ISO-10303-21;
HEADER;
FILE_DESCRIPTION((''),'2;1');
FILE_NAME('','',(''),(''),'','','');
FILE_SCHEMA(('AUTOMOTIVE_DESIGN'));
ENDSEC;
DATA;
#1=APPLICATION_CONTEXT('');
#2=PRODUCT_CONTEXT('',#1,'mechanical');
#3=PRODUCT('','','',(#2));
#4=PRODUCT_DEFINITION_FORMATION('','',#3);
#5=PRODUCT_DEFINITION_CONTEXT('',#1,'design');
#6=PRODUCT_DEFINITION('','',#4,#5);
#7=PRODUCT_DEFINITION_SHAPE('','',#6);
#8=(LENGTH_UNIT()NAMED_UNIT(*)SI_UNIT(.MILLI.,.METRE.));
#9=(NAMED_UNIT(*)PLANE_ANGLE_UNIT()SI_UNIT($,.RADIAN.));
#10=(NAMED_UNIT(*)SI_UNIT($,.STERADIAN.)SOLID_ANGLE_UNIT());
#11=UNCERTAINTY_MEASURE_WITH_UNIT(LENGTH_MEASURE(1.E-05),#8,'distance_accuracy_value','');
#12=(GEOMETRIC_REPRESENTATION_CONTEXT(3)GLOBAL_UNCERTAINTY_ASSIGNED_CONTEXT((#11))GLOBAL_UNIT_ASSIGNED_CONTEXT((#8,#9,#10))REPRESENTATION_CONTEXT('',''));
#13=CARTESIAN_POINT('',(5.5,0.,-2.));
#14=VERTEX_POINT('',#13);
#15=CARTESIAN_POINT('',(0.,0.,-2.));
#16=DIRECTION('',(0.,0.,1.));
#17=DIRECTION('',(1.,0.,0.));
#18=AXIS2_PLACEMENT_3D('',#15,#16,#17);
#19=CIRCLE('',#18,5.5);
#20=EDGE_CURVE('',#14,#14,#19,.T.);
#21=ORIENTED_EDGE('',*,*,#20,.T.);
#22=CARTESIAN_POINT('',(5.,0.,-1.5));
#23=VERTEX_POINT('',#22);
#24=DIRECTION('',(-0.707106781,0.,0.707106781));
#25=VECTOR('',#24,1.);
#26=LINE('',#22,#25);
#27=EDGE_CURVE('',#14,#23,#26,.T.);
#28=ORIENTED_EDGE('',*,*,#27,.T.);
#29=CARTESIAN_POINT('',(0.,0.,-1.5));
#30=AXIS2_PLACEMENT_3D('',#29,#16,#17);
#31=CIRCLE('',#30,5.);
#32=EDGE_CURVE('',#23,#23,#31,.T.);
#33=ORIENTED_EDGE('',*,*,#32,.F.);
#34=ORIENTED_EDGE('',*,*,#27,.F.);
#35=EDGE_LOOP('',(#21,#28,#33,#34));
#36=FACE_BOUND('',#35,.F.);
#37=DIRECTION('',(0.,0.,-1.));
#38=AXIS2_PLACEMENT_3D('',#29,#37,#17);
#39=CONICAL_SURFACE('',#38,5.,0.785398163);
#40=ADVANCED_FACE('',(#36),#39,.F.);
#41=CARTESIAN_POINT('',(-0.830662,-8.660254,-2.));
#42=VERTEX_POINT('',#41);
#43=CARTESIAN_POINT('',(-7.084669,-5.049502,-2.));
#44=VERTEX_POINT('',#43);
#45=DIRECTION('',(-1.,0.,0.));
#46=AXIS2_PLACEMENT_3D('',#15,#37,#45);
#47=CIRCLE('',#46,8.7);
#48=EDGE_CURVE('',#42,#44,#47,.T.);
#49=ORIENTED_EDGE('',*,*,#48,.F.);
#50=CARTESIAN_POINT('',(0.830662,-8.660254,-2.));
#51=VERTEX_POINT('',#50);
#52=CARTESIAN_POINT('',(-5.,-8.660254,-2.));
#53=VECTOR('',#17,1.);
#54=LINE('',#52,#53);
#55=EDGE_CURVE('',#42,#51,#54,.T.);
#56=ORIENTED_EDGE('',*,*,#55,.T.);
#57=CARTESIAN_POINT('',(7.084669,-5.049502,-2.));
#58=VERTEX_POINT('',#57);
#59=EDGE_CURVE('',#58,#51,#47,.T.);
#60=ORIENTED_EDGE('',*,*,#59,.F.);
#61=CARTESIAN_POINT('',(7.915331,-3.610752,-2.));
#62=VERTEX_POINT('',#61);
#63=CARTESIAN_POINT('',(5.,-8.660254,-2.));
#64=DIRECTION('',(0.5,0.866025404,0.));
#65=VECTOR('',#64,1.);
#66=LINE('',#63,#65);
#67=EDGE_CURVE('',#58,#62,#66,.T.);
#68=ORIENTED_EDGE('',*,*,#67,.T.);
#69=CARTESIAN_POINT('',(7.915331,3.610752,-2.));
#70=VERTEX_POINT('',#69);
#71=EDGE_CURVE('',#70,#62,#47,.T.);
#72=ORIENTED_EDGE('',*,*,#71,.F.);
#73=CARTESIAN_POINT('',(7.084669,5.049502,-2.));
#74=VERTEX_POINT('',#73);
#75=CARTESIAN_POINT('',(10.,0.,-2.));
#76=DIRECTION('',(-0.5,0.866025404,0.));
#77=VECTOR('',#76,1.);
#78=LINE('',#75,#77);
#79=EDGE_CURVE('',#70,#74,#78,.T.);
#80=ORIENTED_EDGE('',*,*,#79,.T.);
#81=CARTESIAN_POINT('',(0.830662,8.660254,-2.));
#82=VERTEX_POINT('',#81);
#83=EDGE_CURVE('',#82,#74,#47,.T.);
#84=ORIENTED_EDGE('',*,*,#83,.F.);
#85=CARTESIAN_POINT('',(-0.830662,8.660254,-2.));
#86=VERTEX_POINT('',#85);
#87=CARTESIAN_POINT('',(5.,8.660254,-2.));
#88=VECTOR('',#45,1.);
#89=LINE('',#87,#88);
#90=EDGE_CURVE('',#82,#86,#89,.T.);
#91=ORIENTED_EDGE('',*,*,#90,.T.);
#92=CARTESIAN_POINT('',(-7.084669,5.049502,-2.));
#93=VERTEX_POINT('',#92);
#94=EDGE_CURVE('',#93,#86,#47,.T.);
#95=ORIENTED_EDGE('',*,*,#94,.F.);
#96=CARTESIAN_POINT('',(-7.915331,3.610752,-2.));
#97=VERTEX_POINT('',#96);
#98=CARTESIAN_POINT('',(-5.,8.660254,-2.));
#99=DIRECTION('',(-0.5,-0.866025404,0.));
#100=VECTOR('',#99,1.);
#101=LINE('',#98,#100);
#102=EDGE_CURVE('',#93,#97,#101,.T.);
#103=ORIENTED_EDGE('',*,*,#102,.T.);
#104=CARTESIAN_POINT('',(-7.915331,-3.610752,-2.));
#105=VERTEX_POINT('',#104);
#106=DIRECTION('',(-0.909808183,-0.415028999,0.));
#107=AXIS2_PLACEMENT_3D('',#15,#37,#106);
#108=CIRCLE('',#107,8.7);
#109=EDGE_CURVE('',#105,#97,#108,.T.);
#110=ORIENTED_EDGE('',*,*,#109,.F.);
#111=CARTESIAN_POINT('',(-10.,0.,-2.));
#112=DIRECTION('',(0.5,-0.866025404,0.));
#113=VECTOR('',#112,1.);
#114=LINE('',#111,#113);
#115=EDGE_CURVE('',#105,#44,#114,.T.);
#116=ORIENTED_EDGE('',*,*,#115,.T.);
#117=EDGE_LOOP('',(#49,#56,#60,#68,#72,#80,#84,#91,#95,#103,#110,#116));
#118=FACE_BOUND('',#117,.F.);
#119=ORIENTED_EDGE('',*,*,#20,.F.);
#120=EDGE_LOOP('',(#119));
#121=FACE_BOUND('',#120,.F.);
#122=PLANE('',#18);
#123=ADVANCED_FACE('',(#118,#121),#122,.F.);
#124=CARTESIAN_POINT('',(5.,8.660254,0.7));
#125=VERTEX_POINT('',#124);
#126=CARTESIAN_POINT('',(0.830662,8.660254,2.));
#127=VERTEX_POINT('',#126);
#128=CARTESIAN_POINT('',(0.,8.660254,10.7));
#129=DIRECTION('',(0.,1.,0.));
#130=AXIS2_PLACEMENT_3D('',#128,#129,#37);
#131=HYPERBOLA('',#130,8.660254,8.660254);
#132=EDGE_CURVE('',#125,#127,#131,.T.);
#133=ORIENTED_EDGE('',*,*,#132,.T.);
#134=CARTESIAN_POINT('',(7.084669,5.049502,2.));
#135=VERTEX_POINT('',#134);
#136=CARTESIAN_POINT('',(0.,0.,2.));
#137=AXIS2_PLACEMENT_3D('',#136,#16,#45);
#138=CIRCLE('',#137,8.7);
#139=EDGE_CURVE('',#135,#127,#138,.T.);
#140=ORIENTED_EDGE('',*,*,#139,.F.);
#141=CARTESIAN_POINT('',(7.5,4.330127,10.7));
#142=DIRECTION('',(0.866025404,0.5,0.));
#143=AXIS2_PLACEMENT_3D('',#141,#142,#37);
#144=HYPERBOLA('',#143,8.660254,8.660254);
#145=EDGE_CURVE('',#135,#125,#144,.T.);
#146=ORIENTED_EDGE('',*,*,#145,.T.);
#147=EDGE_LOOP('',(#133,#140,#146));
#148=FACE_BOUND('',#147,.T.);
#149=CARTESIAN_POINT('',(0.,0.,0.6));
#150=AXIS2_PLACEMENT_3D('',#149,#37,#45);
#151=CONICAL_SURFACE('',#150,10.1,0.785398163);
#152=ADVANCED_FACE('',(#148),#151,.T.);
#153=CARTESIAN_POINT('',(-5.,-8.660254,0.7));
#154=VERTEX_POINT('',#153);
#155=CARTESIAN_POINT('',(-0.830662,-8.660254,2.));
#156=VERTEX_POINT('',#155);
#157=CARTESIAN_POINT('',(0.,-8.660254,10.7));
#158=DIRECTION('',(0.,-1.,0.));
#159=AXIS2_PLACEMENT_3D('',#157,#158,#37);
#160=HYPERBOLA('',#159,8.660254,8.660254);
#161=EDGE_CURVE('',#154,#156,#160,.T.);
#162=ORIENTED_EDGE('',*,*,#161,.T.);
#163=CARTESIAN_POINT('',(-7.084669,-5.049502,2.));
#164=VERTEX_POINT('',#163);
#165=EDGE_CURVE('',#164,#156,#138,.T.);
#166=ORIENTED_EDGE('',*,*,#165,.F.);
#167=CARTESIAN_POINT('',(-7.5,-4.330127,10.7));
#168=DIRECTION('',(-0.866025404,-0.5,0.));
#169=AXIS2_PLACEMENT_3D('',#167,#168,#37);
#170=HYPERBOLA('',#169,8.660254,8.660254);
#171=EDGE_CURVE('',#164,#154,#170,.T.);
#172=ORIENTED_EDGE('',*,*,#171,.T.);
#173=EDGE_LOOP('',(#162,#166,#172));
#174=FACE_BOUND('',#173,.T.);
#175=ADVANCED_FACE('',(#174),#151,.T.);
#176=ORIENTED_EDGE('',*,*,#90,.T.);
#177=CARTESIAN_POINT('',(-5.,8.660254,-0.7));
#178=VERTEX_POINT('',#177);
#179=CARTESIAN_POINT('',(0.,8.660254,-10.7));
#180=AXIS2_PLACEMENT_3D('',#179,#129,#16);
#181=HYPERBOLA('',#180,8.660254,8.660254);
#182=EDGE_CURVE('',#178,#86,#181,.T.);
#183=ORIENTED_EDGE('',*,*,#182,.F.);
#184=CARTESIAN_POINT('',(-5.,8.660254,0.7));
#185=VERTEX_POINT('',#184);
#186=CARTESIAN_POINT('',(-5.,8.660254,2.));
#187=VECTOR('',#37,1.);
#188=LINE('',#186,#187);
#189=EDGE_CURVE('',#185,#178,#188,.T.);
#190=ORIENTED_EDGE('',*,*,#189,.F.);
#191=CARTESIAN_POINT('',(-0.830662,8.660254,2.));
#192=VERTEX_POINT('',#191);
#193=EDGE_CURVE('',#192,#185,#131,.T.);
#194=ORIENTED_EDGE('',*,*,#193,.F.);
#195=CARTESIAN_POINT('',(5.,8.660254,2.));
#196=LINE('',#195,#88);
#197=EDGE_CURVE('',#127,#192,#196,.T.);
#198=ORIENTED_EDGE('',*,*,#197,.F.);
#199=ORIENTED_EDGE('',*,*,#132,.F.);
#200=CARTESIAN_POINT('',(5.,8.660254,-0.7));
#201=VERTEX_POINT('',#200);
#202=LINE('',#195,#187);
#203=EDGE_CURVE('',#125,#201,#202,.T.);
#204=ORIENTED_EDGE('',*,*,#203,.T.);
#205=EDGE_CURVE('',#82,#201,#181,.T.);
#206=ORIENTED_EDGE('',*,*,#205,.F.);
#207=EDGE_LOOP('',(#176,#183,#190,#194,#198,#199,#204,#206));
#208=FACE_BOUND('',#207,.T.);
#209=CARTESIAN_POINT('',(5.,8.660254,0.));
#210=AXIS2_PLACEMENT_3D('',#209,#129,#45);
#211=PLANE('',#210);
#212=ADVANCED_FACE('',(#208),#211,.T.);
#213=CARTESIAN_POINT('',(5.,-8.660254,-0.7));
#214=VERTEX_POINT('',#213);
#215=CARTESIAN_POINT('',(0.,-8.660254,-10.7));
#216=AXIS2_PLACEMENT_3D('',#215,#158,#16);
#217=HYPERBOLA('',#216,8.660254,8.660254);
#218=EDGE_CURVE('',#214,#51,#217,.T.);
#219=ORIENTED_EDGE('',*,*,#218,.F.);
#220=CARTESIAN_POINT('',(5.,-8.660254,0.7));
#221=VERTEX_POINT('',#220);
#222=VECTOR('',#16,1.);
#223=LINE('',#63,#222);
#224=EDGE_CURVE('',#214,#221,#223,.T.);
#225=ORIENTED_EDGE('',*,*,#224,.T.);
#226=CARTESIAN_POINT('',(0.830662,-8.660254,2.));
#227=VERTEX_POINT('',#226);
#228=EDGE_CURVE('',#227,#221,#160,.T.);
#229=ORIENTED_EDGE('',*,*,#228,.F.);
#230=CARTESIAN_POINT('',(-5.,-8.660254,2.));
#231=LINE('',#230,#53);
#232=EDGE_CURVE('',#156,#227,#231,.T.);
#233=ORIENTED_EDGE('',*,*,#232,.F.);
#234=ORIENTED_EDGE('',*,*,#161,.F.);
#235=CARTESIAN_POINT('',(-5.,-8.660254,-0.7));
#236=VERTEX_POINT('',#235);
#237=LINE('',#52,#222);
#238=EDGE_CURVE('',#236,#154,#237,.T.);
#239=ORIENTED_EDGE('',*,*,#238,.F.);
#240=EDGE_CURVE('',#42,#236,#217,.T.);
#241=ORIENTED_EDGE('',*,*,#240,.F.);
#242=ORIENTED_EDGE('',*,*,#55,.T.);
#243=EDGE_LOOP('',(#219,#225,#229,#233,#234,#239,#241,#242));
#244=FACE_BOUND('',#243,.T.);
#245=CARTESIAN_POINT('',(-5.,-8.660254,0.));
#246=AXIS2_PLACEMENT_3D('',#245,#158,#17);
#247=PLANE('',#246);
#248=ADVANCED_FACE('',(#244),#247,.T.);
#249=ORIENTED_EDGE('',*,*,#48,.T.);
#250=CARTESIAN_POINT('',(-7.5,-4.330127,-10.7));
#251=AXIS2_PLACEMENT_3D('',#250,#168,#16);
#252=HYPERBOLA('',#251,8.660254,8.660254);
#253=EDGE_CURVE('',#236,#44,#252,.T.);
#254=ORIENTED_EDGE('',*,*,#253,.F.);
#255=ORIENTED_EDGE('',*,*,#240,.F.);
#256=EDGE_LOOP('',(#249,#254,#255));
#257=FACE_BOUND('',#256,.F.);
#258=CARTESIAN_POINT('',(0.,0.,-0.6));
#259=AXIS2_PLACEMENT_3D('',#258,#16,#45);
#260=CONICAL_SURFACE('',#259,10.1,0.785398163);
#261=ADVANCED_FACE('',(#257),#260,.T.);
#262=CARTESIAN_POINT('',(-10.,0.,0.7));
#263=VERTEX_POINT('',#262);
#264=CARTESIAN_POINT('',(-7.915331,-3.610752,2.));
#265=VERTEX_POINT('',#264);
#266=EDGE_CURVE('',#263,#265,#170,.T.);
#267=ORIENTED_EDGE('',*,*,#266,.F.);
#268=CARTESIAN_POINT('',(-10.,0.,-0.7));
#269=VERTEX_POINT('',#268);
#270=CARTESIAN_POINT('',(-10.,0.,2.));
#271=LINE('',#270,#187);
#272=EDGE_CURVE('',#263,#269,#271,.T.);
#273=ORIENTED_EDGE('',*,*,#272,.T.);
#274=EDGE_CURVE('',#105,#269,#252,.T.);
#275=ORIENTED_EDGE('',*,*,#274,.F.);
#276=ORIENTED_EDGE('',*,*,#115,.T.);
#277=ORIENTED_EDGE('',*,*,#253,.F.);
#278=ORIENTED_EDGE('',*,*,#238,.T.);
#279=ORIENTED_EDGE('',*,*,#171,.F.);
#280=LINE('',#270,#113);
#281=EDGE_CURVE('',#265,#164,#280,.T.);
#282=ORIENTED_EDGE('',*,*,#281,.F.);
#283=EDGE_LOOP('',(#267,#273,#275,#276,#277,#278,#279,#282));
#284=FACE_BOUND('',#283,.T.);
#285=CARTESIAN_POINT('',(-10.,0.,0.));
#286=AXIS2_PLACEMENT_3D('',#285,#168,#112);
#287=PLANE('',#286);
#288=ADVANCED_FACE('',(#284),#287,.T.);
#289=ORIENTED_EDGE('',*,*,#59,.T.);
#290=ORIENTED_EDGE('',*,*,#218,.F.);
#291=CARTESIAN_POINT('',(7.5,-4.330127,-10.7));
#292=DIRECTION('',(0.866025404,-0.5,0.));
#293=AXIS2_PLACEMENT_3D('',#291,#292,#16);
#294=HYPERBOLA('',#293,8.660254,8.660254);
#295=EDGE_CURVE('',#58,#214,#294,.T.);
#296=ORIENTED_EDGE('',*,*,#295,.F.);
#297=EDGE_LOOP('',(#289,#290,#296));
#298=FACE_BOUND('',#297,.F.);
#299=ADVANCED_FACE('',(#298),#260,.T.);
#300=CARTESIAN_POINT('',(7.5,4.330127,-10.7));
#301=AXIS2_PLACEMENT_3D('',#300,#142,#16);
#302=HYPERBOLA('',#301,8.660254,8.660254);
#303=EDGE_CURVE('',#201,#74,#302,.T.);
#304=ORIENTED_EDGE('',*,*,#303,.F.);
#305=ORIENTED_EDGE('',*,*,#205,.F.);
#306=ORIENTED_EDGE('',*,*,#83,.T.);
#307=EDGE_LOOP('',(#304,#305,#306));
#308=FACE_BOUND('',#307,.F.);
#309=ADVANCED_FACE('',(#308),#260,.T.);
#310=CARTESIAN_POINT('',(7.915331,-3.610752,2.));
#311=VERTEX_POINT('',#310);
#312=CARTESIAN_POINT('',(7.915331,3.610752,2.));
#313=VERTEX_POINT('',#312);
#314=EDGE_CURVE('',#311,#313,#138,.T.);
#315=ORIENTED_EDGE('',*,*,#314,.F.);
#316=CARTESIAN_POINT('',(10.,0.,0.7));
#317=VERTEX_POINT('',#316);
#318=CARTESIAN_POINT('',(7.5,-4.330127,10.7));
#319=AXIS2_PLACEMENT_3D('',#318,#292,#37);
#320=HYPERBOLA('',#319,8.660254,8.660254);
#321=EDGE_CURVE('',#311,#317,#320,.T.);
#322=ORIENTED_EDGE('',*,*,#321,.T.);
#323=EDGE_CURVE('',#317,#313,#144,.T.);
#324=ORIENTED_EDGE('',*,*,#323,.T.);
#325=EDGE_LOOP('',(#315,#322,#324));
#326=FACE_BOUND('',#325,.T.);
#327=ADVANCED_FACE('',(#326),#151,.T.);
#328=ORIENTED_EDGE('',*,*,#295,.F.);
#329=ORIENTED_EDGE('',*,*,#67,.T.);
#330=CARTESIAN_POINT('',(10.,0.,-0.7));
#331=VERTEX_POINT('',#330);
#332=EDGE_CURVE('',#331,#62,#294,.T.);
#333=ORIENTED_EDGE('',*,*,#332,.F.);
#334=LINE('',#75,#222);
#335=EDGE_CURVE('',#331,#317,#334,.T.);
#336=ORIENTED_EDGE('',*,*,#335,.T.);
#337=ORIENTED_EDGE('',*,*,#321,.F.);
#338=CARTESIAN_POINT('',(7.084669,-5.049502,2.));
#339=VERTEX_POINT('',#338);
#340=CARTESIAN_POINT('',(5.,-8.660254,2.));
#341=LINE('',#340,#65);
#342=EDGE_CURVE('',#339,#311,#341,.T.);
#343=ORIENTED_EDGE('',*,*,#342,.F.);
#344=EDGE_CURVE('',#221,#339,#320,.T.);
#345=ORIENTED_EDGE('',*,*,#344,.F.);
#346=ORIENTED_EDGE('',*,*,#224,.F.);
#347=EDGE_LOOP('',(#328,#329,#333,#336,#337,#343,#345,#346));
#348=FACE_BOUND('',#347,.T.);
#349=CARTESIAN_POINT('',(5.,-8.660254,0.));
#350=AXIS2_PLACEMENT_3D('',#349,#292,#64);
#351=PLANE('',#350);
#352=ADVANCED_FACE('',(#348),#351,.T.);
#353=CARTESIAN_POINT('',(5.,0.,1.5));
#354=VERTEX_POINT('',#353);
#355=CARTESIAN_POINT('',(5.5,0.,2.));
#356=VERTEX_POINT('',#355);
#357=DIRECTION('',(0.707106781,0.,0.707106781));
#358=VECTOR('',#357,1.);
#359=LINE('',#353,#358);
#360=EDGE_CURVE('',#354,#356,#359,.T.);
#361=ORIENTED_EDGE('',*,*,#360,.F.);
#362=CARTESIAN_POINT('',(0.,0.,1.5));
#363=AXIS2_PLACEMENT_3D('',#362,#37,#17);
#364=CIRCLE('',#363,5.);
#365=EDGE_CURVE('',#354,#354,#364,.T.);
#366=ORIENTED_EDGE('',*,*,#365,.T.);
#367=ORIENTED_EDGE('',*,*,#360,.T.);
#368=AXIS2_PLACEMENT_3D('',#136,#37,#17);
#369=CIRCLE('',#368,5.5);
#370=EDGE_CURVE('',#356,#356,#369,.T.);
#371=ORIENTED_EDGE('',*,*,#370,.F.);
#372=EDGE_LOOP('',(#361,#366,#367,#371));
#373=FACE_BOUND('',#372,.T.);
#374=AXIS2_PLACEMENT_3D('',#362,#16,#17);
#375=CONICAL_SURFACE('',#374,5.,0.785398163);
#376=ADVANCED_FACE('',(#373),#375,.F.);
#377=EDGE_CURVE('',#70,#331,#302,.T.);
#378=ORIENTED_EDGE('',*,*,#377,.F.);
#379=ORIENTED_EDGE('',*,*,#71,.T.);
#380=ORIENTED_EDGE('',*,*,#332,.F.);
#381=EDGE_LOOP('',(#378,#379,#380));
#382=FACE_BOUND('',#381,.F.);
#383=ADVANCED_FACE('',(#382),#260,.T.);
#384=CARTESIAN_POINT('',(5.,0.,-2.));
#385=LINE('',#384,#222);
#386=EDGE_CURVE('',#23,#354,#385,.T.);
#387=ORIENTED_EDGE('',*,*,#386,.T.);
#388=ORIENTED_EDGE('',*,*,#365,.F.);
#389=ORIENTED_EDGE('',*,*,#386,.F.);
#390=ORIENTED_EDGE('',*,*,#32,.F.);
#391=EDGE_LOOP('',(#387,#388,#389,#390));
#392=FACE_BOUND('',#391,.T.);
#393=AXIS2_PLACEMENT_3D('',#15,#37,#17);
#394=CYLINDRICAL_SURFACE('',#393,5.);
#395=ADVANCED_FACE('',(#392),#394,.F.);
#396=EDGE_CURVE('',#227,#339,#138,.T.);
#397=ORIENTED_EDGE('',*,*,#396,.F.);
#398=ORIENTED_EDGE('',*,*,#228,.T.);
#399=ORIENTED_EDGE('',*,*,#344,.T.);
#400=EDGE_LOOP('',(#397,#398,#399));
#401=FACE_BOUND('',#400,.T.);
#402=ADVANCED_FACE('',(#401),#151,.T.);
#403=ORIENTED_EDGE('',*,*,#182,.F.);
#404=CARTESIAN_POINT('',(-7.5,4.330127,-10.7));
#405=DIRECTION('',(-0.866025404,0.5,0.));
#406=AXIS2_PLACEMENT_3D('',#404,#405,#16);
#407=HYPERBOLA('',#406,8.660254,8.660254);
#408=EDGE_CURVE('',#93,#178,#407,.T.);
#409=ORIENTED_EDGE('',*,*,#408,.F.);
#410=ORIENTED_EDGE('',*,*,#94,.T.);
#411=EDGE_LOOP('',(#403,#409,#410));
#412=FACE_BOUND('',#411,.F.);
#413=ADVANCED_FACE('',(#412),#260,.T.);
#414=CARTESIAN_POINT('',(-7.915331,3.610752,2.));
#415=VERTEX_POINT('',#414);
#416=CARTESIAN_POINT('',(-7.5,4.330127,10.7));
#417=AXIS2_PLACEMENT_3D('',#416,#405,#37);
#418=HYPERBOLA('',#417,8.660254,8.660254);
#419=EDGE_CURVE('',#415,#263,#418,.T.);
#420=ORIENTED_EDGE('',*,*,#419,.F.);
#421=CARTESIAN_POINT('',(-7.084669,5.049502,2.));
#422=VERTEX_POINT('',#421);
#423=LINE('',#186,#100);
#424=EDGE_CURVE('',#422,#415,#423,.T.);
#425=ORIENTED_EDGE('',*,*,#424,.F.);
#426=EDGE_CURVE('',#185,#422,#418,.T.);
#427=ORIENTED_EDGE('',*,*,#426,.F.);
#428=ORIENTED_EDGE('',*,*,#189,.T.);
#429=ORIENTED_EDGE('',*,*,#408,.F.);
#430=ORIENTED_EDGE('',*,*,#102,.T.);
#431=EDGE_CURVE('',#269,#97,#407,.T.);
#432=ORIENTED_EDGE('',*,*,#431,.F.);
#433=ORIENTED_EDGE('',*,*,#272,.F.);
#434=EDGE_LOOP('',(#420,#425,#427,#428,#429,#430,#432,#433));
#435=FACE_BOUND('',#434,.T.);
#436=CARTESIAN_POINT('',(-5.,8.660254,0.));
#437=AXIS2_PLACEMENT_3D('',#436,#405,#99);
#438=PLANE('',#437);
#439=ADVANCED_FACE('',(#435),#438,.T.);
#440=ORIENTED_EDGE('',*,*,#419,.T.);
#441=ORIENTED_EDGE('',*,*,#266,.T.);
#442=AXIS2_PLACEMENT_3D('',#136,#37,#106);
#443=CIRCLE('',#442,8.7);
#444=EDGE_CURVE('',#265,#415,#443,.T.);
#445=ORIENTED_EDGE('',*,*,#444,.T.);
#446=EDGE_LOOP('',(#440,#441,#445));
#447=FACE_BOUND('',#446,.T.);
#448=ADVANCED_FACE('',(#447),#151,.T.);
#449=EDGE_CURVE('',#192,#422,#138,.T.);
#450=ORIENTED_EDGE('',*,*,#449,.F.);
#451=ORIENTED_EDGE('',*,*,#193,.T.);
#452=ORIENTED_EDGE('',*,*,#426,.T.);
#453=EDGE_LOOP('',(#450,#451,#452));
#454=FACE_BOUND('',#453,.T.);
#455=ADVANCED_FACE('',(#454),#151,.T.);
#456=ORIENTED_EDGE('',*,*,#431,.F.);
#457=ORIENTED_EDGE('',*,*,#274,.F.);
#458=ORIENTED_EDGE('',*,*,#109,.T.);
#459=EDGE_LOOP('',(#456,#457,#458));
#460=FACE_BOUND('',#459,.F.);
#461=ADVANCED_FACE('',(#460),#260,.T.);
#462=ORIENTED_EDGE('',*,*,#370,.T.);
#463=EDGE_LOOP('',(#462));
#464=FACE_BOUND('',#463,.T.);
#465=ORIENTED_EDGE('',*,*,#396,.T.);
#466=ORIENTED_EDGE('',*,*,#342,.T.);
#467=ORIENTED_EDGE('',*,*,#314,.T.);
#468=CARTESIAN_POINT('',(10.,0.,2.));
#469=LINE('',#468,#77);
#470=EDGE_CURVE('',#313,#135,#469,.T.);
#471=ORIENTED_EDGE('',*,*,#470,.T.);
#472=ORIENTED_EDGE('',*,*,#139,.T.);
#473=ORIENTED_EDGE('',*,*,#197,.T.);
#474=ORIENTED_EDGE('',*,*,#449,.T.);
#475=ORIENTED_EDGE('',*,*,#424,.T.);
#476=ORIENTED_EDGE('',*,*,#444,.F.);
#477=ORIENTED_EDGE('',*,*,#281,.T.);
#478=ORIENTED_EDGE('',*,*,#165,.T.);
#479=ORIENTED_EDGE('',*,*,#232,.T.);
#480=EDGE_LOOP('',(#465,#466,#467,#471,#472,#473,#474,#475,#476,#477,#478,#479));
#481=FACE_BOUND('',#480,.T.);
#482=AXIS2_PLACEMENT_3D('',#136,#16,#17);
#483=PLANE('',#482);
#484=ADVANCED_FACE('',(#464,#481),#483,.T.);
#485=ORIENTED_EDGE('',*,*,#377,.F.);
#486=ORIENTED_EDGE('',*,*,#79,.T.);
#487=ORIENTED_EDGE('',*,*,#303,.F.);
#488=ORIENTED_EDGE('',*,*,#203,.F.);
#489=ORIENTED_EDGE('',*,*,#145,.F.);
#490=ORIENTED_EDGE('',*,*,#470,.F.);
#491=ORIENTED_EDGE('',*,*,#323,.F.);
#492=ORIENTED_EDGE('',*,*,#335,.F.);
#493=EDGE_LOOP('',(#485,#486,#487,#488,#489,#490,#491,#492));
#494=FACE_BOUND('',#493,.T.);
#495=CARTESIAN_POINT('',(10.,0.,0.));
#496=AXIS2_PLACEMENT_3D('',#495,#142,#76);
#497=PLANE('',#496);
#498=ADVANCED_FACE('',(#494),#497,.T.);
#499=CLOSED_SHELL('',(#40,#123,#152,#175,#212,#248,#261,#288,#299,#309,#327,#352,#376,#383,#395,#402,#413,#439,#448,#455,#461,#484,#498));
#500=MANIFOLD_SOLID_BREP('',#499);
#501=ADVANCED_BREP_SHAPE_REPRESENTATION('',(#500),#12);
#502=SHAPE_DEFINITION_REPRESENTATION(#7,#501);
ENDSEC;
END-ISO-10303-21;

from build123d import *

# Parameters (mm, degrees)
BOSS_EXTRUDE1_DEPTH = 2
SKETCH2_R           = 5
CUT_EXTRUDE1_DEPTH  = 14.820274961
CHAMFER1_SIZE       = 0.5


with BuildPart() as part:
    # Sketch1 → Boss-Extrude1 (new, symmetric)
    with BuildSketch(Plane.XY):
        Polygon((-10, 0), (-5, -8.660254038), (5, -8.660254038), (10, 0), (5, 8.660254038), (-5, 8.660254038), align=None)
    extrude(amount=BOSS_EXTRUDE1_DEPTH, both=True)

    # Sketch2 → Cut-Extrude1 (cut, through all)
    with BuildSketch(Plane.XY.offset(-2)):
        Circle(SKETCH2_R)
    extrude(amount=CUT_EXTRUDE1_DEPTH, mode=Mode.SUBTRACT)

    # Sketch8 → Cut-Revolve1 (revolve, cut)
    with BuildSketch(Plane(origin=(0, 0, 0), x_dir=(1, 0, 0), z_dir=(0, 1, 0))):
        Polygon((-8.6, -2.1), (-10.1, -2.1), (-10.1, -0.6), align=None)
    cut_revolve1 = revolve(axis=Axis((0, 0, -7.705), (0, 0, 1)), mode=Mode.SUBTRACT)

    # Mirror1: Cut-Revolve1 across plane
    add(cut_revolve1.mirror(Plane.XY), mode=Mode.SUBTRACT)

    # Chamfer1
    chamfer1_edges = [part.edges().sort_by_distance(p)[0] for p in [
        (-5, 0, -2),
        (-5, 0, 2),
    ]]
    chamfer(chamfer1_edges, length=CHAMFER1_SIZE)


solid = part.part
